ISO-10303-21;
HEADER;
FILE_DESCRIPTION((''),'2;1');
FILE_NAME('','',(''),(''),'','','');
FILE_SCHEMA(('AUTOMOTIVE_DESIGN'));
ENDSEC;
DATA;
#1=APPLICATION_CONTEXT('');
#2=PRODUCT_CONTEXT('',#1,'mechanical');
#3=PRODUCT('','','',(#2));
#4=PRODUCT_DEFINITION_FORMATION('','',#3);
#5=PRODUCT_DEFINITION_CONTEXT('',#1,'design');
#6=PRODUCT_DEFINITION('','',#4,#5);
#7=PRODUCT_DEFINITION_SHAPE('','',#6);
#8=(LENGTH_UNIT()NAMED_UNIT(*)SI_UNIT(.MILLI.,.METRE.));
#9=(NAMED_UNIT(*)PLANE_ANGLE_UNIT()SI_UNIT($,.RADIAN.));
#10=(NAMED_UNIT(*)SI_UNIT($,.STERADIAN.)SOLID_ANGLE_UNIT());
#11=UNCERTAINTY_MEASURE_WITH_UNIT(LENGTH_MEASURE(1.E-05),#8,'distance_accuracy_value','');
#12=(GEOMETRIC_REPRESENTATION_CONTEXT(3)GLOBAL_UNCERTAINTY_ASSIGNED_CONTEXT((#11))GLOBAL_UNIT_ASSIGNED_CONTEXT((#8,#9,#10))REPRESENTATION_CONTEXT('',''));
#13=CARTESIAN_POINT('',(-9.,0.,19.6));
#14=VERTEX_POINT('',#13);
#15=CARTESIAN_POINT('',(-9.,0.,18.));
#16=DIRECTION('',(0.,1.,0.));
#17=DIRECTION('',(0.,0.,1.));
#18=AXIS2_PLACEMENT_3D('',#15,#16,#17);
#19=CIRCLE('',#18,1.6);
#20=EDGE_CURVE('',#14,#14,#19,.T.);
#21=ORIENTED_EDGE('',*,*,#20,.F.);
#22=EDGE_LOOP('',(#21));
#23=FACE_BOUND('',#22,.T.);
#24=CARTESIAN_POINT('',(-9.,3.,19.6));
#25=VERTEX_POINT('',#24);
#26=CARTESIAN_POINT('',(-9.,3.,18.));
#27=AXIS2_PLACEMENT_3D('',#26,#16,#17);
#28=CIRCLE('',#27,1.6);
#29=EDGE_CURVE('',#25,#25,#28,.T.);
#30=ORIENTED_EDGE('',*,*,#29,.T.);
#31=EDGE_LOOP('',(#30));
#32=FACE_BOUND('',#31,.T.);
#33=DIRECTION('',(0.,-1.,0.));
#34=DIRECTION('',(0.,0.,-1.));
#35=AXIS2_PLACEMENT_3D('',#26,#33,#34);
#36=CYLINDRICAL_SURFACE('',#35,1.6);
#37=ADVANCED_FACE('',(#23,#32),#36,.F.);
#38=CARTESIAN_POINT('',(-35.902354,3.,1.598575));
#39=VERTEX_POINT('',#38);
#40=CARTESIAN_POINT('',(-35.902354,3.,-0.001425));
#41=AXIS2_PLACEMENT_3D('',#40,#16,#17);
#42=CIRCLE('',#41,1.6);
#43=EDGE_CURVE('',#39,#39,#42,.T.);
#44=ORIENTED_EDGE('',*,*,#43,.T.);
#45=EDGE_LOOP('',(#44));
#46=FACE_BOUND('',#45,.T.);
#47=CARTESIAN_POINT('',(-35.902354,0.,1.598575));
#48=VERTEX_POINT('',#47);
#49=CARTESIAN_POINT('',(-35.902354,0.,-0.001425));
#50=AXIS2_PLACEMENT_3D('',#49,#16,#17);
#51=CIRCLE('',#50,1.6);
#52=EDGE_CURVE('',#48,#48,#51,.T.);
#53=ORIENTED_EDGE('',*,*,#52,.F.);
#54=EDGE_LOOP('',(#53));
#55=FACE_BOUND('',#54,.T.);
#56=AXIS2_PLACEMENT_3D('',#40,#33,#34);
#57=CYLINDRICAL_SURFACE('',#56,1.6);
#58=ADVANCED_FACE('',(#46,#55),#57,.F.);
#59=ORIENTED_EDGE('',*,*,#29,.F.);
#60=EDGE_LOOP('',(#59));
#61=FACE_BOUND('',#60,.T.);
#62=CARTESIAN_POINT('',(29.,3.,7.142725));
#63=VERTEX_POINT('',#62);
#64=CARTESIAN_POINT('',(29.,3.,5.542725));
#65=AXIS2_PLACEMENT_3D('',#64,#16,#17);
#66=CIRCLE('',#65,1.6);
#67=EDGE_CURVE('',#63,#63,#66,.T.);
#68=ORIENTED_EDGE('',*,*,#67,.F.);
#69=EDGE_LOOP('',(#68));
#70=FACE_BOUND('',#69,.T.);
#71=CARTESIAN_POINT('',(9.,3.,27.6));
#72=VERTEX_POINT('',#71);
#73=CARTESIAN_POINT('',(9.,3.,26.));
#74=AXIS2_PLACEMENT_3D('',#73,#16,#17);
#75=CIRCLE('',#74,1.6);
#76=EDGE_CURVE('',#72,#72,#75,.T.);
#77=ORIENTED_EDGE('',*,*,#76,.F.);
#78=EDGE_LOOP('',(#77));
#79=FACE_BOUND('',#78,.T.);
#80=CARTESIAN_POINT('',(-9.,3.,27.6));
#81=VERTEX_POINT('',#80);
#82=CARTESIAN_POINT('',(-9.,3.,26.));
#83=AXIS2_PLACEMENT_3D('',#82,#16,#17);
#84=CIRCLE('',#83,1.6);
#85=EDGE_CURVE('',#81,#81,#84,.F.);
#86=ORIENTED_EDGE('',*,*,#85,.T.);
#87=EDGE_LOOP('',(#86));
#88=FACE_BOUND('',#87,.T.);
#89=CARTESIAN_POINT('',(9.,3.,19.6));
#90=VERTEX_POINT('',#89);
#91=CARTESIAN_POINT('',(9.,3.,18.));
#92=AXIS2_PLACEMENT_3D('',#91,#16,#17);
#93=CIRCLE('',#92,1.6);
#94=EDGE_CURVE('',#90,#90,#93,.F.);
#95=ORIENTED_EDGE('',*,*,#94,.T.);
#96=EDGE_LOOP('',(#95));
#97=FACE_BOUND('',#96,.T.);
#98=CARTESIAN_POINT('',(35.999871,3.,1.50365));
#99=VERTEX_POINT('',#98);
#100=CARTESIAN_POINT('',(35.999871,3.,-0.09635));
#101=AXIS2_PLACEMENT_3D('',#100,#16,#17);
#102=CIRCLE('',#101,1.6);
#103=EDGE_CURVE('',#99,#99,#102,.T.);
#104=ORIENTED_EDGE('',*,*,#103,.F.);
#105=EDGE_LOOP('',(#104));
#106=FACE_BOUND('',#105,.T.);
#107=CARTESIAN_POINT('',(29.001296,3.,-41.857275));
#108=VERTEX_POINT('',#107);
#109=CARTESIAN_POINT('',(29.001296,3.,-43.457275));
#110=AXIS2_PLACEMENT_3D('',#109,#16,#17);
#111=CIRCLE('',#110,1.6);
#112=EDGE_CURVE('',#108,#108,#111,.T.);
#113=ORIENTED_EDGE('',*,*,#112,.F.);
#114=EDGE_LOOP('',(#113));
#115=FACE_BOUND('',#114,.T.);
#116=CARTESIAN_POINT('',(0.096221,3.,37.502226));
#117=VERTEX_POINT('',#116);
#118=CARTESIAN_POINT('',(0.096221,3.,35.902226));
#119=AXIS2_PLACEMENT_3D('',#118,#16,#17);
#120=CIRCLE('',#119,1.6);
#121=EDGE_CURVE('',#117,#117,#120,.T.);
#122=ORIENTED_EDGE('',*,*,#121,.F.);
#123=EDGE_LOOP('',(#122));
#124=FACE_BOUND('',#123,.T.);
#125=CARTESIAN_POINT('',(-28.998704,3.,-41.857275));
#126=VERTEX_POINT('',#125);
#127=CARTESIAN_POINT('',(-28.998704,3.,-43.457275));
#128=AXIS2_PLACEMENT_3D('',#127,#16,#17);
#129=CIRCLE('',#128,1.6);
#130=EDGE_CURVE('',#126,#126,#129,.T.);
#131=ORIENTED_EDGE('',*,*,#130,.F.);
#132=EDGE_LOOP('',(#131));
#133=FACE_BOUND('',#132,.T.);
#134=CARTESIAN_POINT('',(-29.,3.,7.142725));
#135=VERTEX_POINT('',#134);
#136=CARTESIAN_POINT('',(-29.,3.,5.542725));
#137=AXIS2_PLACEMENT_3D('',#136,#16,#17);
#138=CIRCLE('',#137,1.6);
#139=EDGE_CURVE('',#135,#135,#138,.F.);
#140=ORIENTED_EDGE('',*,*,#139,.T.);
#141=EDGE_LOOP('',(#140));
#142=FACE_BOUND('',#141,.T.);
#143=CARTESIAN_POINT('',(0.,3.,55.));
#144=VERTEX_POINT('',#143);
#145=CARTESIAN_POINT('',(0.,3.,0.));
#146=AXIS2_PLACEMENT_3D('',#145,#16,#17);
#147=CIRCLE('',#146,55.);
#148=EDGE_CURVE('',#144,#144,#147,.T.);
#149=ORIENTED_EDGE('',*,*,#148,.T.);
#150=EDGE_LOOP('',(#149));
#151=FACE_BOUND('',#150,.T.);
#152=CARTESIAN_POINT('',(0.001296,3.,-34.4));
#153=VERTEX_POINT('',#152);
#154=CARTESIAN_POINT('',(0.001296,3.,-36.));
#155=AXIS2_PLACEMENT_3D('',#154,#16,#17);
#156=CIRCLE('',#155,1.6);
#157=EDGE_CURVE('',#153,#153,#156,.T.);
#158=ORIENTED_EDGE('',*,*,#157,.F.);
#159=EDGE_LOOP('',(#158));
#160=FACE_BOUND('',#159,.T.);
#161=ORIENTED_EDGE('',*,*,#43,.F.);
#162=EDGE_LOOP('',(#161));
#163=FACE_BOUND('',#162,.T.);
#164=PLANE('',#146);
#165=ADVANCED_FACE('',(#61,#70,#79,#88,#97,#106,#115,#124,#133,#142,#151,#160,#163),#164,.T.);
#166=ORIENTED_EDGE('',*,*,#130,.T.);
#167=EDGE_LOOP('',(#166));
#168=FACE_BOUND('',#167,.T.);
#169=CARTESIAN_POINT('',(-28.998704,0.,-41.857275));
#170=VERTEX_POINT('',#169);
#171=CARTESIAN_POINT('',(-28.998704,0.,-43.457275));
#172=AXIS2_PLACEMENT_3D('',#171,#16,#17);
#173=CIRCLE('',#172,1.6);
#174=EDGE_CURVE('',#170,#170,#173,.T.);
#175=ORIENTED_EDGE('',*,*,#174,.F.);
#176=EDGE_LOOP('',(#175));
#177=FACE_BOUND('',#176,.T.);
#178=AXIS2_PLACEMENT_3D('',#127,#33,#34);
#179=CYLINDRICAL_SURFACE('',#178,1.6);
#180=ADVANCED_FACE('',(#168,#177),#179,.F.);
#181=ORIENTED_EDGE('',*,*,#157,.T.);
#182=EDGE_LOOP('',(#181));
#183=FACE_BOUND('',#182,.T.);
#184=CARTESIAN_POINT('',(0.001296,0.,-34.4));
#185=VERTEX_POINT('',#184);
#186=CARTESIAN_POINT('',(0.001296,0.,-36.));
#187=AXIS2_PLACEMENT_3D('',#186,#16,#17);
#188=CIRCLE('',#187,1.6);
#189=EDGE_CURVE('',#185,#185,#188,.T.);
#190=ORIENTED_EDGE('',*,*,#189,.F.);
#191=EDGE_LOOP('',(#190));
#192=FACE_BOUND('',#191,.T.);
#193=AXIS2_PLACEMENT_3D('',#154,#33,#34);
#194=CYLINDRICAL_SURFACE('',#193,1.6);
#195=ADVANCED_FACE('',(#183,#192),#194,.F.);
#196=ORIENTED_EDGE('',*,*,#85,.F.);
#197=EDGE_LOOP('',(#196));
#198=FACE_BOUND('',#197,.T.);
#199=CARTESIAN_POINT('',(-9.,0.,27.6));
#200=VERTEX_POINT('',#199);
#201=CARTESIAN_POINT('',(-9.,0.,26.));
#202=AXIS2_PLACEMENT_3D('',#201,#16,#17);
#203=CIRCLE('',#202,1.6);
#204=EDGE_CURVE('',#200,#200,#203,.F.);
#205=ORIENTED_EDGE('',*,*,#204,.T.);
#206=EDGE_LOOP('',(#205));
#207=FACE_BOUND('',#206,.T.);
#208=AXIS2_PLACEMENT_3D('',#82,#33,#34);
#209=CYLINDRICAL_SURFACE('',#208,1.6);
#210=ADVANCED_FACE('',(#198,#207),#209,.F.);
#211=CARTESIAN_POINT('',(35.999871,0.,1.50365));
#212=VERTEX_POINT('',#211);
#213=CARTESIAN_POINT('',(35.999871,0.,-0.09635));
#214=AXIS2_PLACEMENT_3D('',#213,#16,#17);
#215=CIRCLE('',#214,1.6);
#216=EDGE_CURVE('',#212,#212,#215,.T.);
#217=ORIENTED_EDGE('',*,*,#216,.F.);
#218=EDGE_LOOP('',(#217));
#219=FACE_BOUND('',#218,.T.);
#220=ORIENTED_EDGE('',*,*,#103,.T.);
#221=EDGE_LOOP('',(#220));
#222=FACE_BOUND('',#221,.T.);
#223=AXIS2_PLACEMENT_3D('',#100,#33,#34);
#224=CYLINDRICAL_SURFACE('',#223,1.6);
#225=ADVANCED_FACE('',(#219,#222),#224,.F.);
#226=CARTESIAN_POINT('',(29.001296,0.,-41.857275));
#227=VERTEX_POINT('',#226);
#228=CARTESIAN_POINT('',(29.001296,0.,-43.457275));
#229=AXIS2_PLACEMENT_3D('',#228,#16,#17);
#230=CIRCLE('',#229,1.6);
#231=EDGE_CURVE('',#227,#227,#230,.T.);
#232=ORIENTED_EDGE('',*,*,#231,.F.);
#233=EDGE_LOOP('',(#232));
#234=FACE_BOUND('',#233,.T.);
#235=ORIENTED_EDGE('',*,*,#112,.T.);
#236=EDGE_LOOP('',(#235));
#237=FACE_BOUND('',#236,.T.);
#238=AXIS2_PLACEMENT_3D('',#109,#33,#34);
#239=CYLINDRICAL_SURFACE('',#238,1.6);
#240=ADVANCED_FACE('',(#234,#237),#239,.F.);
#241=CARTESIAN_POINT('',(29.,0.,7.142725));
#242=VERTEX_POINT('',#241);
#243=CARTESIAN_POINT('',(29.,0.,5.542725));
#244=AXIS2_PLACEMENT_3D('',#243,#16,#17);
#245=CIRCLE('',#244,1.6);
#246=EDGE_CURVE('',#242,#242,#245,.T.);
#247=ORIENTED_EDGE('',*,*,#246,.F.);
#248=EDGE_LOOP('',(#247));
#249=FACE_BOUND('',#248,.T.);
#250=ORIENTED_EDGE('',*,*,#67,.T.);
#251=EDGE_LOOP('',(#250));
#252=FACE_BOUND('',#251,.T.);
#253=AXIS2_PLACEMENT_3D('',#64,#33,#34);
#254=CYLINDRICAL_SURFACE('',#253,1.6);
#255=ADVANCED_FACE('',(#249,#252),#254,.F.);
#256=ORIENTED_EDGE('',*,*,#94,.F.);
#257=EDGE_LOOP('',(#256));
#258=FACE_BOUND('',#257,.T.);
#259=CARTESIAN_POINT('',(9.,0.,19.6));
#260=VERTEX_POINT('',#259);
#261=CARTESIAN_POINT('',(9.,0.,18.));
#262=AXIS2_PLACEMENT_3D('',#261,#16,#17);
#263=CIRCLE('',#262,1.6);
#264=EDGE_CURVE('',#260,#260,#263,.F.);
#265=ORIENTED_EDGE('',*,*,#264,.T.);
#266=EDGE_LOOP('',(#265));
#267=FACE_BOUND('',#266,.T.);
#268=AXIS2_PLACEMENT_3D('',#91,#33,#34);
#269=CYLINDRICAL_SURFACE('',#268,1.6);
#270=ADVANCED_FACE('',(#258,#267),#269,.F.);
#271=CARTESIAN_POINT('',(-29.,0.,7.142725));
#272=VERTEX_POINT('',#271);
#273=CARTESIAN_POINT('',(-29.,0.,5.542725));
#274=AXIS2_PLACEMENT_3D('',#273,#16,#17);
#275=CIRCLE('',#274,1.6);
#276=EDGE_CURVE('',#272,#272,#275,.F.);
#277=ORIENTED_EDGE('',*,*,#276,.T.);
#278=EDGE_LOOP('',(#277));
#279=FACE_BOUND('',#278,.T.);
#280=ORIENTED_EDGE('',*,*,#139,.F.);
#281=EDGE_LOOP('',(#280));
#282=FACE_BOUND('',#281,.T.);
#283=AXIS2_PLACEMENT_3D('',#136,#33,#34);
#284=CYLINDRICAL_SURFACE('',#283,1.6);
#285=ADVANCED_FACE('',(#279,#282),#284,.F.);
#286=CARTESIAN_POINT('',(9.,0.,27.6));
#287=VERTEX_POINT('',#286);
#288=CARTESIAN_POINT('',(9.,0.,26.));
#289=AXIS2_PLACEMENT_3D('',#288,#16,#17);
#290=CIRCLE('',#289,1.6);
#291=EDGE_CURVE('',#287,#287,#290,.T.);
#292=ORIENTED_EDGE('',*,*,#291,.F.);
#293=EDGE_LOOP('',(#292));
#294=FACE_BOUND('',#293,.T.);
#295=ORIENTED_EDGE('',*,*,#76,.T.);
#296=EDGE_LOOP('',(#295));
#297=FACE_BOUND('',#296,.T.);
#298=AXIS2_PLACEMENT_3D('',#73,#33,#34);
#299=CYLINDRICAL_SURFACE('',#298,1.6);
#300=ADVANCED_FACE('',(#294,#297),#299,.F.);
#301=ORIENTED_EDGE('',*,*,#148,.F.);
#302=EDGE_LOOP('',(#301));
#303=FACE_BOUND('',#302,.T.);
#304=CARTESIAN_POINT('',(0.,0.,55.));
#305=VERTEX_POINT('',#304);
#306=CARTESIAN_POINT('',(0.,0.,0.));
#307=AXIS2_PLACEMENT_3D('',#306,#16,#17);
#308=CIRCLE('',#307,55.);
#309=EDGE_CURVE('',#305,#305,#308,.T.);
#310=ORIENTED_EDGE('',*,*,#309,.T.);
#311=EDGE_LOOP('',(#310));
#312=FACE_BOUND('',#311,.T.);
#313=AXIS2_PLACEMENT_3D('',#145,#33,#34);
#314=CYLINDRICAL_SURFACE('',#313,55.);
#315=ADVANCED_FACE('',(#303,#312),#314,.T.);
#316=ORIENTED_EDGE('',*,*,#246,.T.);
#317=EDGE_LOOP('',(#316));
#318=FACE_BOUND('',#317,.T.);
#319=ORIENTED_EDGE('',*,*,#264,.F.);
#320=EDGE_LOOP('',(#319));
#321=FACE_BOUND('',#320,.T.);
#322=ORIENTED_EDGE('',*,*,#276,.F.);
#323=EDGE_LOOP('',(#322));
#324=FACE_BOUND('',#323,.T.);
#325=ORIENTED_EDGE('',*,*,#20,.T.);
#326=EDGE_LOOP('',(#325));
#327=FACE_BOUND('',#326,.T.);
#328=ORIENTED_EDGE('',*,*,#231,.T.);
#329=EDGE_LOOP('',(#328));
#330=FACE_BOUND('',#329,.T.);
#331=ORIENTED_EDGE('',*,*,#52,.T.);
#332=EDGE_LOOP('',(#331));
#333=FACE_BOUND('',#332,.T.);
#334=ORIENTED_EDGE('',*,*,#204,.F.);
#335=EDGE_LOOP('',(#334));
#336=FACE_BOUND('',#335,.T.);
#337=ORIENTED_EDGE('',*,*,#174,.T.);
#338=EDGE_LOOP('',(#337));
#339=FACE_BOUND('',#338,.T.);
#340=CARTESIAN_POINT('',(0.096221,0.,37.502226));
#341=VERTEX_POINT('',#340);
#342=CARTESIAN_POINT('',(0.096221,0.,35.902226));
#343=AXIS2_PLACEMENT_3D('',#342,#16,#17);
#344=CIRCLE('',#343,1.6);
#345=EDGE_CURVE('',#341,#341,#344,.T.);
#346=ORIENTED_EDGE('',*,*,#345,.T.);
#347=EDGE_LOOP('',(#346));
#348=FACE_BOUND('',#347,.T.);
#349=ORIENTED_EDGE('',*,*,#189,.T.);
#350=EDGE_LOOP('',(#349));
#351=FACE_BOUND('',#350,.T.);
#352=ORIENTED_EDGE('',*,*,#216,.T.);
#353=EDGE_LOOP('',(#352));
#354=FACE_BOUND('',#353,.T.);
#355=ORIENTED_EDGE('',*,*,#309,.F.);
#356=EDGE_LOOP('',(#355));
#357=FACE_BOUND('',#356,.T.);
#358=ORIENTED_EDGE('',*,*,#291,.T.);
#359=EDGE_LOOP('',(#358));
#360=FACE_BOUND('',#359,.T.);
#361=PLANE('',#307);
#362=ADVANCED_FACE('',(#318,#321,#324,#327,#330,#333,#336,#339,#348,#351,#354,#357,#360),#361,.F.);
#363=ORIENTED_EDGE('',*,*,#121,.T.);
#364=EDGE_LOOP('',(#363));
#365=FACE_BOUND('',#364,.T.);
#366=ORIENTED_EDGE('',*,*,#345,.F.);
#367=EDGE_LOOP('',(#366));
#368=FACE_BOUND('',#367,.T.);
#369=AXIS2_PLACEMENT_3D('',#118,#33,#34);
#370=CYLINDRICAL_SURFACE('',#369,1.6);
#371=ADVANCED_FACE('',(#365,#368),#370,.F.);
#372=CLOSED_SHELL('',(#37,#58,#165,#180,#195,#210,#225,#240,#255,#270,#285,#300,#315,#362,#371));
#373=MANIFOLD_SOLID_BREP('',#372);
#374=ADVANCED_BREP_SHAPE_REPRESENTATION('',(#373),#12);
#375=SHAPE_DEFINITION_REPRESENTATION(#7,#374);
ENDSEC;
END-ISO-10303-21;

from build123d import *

# Parameters (mm, degrees)
SKETCH_1_R      = 55
SKETCH_1_R_2    = 1.6
EXTRUDE_2_DEPTH = 3


with BuildPart() as part:
    # 草图1 → 凸台-拉伸2 (new body)
    with BuildSketch(Plane(origin=(0, 0, 0), x_dir=(1, 0, 0), z_dir=(0, 1, 0))):
        with Locations(Location((0, 0, 0), (0, 0, 270))):
            Circle(SKETCH_1_R)
        with Locations(Location((35.999871065, 0.096349823, 0), (0, 0, 270))):
            Circle(SKETCH_1_R_2, mode=Mode.SUBTRACT)
        with Locations(Location((0.096220911, -35.90222552, 0), (0, 0, 270))):
            Circle(SKETCH_1_R_2, mode=Mode.SUBTRACT)
        with Locations(Location((-35.902354431, 0.001424634, 0), (0, 0, 270))):
            Circle(SKETCH_1_R_2, mode=Mode.SUBTRACT)
        with Locations(Location((0.001295723, 35.999999977, 0), (0, 0, 270))):
            Circle(SKETCH_1_R_2, mode=Mode.SUBTRACT)
        with Locations(Location((-28.998704277, 43.457275309, 0), (0, 0, 270))):
            Circle(SKETCH_1_R_2, mode=Mode.SUBTRACT)
        with Locations(Location((29.001295723, 43.457275309, 0), (0, 0, 270))):
            Circle(SKETCH_1_R_2, mode=Mode.SUBTRACT)
        with Locations(Location((29, -5.542724674, 0), (0, 0, 270))):
            Circle(SKETCH_1_R_2, mode=Mode.SUBTRACT)
        with Locations(Location((-29, -5.542724674, 0), (0, 0, 270))):
            Circle(SKETCH_1_R_2, mode=Mode.SUBTRACT)
        with Locations(Location((-9, -26, 0), (0, 0, 270))):
            Circle(SKETCH_1_R_2, mode=Mode.SUBTRACT)
        with Locations(Location((-9, -18, 0), (0, 0, 270))):
            Circle(SKETCH_1_R_2, mode=Mode.SUBTRACT)
        with Locations(Location((9, -26, 0), (0, 0, 270))):
            Circle(SKETCH_1_R_2, mode=Mode.SUBTRACT)
        with Locations(Location((9, -18, 0), (0, 0, 270))):
            Circle(SKETCH_1_R_2, mode=Mode.SUBTRACT)
    extrude(amount=EXTRUDE_2_DEPTH)


solid = part.part
